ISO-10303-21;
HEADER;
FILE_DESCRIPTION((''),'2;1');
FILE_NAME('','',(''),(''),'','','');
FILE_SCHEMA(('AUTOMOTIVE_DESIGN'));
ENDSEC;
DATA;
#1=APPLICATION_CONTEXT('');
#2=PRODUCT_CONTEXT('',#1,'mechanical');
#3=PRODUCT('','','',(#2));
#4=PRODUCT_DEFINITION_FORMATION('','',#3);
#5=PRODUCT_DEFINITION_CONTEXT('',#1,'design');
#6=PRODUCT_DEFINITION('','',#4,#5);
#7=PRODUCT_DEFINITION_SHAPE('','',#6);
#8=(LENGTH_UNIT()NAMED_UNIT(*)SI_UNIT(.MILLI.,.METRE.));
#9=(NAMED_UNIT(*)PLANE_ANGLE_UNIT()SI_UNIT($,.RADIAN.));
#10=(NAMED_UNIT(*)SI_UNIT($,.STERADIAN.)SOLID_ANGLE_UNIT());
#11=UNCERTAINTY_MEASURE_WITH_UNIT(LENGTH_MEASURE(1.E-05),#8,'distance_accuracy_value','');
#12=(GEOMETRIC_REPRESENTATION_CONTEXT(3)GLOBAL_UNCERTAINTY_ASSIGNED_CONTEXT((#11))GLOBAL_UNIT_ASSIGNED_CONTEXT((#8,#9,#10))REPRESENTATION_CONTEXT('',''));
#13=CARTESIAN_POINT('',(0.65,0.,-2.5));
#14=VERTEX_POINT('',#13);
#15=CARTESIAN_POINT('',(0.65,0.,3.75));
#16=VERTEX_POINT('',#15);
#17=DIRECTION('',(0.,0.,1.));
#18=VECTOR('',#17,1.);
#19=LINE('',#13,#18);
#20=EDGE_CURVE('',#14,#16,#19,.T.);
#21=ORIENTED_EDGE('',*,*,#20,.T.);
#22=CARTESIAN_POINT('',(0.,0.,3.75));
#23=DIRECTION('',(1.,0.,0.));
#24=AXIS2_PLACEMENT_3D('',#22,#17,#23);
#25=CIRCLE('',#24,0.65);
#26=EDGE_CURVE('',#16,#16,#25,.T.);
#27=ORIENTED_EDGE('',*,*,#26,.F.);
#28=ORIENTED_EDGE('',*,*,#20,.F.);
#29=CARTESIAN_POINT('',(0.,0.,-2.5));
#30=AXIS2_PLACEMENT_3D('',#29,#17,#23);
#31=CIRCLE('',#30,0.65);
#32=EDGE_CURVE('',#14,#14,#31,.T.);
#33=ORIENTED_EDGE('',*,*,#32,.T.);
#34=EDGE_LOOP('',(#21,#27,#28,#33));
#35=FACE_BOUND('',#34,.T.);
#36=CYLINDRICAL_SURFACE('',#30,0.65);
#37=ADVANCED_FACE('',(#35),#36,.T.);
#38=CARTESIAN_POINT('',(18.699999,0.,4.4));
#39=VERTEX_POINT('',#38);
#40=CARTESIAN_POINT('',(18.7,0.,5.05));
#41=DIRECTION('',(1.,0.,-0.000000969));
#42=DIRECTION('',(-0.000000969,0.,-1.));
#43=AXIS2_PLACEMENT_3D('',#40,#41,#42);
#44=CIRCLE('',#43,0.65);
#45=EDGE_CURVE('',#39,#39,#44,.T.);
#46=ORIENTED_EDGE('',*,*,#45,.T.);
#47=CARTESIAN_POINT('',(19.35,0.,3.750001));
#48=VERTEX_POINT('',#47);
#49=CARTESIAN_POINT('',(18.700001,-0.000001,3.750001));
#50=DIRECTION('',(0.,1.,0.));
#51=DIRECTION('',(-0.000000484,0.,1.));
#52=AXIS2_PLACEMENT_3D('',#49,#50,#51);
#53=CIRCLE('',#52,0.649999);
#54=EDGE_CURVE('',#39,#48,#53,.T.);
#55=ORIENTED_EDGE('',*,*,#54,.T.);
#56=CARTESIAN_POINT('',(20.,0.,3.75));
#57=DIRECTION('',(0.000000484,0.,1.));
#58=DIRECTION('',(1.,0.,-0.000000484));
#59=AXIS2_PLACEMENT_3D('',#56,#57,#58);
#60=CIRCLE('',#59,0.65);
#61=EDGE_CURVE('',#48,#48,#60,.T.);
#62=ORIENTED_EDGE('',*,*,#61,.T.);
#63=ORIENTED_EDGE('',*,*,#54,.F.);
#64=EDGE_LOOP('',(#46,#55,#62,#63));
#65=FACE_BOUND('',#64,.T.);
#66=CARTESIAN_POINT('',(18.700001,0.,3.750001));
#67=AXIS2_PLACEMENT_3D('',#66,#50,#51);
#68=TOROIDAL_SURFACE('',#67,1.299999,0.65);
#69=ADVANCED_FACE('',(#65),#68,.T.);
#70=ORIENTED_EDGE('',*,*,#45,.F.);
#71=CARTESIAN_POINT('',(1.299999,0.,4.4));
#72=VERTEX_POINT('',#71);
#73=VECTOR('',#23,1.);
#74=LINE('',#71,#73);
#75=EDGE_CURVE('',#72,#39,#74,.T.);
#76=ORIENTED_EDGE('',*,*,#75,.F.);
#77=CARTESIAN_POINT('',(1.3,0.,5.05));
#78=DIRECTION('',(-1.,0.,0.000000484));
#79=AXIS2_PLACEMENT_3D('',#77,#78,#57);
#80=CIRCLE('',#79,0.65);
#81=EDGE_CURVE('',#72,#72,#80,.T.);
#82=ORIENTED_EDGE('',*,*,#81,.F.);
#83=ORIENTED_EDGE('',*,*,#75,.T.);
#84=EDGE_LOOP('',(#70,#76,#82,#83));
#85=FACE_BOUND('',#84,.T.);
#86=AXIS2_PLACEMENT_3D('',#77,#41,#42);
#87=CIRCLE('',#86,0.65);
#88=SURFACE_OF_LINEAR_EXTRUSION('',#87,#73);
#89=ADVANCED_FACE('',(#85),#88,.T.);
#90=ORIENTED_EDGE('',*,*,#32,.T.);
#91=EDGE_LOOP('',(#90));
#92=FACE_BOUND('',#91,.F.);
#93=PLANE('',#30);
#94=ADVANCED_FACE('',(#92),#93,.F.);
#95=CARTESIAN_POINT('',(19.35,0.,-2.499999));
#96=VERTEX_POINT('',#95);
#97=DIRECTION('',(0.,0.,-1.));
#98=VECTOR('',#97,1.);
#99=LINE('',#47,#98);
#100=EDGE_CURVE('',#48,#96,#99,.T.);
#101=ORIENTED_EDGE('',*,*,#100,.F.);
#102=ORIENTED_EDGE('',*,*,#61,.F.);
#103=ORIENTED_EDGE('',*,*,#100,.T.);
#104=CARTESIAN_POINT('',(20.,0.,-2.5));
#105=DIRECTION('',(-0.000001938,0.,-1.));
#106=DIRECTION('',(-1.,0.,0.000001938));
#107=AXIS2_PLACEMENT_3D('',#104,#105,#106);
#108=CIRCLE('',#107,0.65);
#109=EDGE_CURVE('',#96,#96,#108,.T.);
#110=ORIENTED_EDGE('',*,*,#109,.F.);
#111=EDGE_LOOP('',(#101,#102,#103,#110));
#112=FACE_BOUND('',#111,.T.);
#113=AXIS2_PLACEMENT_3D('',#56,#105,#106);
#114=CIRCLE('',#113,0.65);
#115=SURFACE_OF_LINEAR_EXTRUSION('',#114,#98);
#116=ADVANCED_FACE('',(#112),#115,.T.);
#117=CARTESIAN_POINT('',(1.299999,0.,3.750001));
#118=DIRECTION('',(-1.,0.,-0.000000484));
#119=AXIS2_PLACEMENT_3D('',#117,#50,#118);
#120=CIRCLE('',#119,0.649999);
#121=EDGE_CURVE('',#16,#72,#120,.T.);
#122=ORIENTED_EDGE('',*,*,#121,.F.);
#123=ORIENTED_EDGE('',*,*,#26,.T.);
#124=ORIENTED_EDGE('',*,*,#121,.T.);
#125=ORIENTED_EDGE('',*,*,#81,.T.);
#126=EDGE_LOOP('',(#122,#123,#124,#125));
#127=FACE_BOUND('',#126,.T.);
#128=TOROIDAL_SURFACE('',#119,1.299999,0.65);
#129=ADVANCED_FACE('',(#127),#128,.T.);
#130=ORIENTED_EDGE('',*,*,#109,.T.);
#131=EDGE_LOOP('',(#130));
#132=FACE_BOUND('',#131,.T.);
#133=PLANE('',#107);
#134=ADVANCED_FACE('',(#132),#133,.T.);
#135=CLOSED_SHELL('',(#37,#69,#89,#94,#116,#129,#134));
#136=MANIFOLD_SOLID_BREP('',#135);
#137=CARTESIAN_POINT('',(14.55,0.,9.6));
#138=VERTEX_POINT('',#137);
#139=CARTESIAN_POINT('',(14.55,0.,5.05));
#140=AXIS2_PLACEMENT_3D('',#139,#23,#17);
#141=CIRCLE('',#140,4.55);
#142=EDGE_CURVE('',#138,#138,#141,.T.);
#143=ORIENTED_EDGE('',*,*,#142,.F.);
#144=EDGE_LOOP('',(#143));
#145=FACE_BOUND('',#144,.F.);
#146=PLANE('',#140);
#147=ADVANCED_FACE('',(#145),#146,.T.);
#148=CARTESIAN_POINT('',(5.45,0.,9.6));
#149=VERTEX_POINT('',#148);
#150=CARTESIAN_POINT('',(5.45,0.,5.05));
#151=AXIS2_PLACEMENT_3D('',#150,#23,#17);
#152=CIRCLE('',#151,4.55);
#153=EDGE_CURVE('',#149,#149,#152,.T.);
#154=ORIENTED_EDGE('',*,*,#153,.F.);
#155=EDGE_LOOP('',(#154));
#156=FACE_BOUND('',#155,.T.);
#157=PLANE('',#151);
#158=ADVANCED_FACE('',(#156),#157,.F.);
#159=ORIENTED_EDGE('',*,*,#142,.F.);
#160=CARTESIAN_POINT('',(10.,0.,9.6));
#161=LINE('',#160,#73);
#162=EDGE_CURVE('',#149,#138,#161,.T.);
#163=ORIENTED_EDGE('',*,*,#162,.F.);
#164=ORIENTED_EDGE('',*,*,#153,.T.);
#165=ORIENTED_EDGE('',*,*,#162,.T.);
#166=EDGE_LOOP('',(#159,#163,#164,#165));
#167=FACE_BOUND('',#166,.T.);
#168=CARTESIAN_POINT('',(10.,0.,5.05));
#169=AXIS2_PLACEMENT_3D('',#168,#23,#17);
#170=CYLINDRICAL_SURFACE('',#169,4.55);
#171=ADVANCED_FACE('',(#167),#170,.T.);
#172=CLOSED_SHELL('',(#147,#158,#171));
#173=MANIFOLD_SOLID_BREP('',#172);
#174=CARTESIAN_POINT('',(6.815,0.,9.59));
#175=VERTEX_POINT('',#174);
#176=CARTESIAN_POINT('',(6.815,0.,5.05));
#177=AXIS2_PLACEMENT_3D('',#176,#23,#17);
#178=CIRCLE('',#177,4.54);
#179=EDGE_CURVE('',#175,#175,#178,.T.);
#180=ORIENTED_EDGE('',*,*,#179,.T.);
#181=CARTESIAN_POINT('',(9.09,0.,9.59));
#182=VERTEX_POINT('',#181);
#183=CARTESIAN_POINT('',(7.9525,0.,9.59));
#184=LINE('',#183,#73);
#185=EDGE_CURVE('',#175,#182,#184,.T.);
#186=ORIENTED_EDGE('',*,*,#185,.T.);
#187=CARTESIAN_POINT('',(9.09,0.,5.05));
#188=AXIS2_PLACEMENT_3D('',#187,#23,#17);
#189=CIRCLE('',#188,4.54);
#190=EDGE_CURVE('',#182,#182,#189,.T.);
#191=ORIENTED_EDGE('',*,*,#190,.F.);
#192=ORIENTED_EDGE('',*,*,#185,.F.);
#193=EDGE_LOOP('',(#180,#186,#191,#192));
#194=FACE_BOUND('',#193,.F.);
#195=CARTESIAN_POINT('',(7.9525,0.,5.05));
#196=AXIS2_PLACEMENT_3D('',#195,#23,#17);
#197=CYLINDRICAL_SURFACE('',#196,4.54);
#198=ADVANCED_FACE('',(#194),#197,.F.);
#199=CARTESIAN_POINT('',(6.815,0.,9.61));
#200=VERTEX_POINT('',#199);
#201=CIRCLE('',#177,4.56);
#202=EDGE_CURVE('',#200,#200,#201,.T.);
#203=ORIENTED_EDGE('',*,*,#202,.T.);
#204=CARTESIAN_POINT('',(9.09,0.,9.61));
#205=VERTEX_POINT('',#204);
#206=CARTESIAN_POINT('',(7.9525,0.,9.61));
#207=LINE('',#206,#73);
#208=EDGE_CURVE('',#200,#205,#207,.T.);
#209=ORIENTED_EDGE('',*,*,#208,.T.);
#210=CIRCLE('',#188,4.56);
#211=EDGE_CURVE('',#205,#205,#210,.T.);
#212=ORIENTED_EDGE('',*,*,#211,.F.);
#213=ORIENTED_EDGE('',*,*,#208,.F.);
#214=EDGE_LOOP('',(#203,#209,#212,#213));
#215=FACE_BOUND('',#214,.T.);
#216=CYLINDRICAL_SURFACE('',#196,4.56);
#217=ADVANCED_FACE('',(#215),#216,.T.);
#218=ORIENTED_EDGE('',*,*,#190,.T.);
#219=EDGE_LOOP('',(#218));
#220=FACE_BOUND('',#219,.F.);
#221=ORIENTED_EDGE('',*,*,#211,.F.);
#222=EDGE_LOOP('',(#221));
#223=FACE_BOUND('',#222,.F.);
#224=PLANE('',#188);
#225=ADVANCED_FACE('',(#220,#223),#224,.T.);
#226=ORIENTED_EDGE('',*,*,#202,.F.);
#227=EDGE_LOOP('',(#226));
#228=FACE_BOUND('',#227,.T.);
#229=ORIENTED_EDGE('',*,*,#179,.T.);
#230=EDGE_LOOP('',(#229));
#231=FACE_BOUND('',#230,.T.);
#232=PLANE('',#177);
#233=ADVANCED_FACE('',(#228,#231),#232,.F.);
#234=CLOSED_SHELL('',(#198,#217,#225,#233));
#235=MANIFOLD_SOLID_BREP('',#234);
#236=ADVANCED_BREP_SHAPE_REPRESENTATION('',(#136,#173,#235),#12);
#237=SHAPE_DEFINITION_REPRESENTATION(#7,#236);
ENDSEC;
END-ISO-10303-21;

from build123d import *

# Parameters (mm, degrees)
SKETCH002_W = 9.1
SKETCH002_H = 4.55
SKETCH003_W = 2.275
SKETCH003_H = 0.02
SKETCH_R    = 0.65


with BuildPart() as revolution:
    # Sketch002 → Revolution (revolve)
    with BuildSketch(Plane.XZ):
        with Locations((10, 7.325)):
            Rectangle(SKETCH002_W, SKETCH002_H)
    revolve(axis=Axis((5.45, 0, 5.05), (1, 0, 0)))


with BuildPart() as revolution001:
    # Sketch003 → Revolution001 (revolve)
    with BuildSketch(Plane.XZ):
        with Locations((7.9525, 9.6)):
            Rectangle(SKETCH003_W, SKETCH003_H)
    revolve(axis=Axis((0, 0, 5.05), (1, 0, 0)))


with BuildPart() as sweep_body:
    # Sweep: sweep along a path in Sketch001
    with BuildLine(Plane.XZ) as sweep_path:
        Line((0, -2.5), (0, 3.75))
        ThreePointArc((0, 3.75), (0.380761, 4.669239), (1.3, 5.05))
        Line((1.3, 5.05), (18.7, 5.05))
        ThreePointArc((18.7, 5.05), (19.619239, 4.669239), (20, 3.75))
        Line((20, 3.75), (20, -2.5))
    # Sketch → Sweep (sweep)
    with BuildSketch(Plane.XY.offset(-2)):
        Circle(SKETCH_R)
    sweep(path=sweep_path.line)


solid = Compound([revolution.part, revolution001.part, sweep_body.part])
